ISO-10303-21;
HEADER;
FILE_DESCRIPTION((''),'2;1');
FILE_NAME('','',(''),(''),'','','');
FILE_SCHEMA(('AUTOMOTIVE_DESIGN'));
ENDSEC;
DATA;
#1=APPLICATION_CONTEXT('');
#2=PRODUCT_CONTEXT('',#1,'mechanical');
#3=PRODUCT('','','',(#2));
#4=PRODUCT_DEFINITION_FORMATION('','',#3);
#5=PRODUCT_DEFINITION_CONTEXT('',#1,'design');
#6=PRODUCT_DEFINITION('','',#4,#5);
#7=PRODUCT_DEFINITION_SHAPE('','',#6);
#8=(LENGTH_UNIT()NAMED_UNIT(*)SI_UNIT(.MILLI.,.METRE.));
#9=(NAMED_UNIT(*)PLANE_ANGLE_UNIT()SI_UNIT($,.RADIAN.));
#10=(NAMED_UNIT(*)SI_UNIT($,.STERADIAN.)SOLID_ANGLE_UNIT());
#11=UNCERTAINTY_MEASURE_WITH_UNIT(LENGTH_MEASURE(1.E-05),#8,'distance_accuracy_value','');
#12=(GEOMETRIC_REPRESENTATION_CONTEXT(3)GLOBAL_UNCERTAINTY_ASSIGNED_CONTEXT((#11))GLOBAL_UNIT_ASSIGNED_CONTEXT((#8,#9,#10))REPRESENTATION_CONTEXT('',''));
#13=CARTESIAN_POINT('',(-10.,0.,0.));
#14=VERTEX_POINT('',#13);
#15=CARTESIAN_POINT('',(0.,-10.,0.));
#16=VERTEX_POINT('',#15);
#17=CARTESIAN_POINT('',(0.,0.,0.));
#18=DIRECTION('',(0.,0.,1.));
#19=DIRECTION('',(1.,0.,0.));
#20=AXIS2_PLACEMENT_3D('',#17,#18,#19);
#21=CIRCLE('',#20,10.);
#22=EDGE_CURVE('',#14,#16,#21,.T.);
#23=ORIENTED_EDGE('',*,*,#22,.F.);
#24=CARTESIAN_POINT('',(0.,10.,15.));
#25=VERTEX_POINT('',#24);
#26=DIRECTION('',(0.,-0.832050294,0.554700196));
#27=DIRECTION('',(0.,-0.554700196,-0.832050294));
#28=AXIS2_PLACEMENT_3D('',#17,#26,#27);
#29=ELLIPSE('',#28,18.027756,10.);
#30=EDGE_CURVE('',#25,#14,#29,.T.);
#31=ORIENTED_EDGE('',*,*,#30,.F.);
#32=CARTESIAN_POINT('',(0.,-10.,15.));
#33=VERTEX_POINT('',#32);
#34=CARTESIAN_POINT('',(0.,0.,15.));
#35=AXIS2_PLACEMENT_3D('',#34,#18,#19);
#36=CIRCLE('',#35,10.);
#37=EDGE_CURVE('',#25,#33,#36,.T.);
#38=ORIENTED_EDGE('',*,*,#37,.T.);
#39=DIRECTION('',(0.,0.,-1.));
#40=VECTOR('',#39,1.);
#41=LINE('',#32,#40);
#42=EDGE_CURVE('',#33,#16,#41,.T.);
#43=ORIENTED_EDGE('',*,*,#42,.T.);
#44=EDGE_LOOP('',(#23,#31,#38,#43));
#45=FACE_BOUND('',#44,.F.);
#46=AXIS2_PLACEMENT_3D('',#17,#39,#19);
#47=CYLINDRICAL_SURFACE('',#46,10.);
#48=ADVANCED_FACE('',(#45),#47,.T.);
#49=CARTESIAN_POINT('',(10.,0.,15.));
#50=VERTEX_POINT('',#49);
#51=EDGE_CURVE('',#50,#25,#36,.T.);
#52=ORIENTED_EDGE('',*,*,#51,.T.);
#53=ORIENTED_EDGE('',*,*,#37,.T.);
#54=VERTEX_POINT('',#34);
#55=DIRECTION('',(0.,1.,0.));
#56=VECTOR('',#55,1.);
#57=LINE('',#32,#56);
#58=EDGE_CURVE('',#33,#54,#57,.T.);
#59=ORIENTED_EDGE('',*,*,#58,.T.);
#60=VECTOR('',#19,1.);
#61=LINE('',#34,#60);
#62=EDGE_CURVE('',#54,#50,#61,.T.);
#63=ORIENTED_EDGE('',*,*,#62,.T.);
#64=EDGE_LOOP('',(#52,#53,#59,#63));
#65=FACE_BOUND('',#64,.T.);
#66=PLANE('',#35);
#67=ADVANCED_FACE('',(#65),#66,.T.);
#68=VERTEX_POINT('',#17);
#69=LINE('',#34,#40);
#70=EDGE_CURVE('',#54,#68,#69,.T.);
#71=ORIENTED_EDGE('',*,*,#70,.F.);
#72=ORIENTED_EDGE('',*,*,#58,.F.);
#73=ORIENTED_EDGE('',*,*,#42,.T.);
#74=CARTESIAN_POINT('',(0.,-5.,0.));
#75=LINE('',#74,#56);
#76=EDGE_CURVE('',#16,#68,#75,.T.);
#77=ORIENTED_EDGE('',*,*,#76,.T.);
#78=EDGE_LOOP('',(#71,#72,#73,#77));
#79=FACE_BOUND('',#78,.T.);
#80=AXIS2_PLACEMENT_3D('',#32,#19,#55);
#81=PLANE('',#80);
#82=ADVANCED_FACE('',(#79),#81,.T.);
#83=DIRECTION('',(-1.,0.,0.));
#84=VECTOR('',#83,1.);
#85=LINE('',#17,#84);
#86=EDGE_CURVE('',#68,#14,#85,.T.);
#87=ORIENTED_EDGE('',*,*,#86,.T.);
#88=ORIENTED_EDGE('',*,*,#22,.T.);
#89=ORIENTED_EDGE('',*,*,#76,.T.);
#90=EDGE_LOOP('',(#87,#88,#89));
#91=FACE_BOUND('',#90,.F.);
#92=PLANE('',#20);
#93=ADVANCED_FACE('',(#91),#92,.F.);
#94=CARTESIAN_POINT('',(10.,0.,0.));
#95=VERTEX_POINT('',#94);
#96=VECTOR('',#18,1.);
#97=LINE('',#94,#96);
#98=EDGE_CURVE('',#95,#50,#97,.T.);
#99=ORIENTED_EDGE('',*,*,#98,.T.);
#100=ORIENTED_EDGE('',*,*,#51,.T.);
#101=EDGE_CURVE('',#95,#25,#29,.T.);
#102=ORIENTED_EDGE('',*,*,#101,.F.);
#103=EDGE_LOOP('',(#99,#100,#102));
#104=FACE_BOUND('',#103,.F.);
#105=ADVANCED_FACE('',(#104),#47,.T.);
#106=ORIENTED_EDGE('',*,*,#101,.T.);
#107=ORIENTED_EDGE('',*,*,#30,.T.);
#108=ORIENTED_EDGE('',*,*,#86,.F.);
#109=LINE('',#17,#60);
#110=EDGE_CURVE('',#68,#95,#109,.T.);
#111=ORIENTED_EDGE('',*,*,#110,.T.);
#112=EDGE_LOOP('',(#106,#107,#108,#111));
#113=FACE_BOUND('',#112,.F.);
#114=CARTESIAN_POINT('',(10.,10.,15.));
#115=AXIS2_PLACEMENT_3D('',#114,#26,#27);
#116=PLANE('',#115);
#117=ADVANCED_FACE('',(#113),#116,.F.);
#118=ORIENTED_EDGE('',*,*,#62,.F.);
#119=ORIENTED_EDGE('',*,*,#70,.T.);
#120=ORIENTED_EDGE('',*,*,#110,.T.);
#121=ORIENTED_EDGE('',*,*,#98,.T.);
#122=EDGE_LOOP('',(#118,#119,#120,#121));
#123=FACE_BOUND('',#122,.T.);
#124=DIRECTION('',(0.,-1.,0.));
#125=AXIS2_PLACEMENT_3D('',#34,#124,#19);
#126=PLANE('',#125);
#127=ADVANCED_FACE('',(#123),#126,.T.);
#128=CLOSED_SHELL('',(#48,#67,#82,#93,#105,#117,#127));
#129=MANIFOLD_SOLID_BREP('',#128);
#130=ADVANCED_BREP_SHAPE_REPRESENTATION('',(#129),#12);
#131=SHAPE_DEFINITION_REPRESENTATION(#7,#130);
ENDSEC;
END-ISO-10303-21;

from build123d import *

# Parameters (mm, degrees)
SKETCH1_R           = 10
BOSS_EXTRUDE1_DEPTH = 15
CUT_EXTRUDE1_DEPTH  = 16
CUT_EXTRUDE2_DEPTH  = 10
CUT_EXTRUDE3_DEPTH  = 10


with BuildPart() as part:
    # Sketch1 → Boss-Extrude1 (new body)
    with BuildSketch(Plane.XY):
        Circle(SKETCH1_R)
    extrude(amount=BOSS_EXTRUDE1_DEPTH)

    # Sketch2 → Cut-Extrude1 (cut, through all)
    with BuildSketch(Plane.XY.offset(15)):
        with BuildLine():
            Line((0, 0), (10, 0))
            ThreePointArc((10, 0), (7.071067812, -7.071067812), (0, -10))
            Line((0, -10), (0, 0))
        make_face()
    extrude(amount=-CUT_EXTRUDE1_DEPTH, mode=Mode.SUBTRACT)

    # Sketch5 → Cut-Extrude2 (cut)
    with BuildSketch(Plane(origin=(10, 0, 0), x_dir=(0, 0, -1), z_dir=(1, 0, 0))):
        Polygon((0, 0), (0, 10), (-15, 10), align=None)
    extrude(amount=-CUT_EXTRUDE2_DEPTH, mode=Mode.SUBTRACT)

    # Sketch6 → Cut-Extrude3 (cut)
    with BuildSketch(Plane(origin=(0, 0, 0), x_dir=(0, 0, -1), z_dir=(1, 0, 0))):
        Polygon((-15, 10), (0, 0), (0, 10), align=None)
    extrude(amount=-CUT_EXTRUDE3_DEPTH, mode=Mode.SUBTRACT)


solid = part.part
